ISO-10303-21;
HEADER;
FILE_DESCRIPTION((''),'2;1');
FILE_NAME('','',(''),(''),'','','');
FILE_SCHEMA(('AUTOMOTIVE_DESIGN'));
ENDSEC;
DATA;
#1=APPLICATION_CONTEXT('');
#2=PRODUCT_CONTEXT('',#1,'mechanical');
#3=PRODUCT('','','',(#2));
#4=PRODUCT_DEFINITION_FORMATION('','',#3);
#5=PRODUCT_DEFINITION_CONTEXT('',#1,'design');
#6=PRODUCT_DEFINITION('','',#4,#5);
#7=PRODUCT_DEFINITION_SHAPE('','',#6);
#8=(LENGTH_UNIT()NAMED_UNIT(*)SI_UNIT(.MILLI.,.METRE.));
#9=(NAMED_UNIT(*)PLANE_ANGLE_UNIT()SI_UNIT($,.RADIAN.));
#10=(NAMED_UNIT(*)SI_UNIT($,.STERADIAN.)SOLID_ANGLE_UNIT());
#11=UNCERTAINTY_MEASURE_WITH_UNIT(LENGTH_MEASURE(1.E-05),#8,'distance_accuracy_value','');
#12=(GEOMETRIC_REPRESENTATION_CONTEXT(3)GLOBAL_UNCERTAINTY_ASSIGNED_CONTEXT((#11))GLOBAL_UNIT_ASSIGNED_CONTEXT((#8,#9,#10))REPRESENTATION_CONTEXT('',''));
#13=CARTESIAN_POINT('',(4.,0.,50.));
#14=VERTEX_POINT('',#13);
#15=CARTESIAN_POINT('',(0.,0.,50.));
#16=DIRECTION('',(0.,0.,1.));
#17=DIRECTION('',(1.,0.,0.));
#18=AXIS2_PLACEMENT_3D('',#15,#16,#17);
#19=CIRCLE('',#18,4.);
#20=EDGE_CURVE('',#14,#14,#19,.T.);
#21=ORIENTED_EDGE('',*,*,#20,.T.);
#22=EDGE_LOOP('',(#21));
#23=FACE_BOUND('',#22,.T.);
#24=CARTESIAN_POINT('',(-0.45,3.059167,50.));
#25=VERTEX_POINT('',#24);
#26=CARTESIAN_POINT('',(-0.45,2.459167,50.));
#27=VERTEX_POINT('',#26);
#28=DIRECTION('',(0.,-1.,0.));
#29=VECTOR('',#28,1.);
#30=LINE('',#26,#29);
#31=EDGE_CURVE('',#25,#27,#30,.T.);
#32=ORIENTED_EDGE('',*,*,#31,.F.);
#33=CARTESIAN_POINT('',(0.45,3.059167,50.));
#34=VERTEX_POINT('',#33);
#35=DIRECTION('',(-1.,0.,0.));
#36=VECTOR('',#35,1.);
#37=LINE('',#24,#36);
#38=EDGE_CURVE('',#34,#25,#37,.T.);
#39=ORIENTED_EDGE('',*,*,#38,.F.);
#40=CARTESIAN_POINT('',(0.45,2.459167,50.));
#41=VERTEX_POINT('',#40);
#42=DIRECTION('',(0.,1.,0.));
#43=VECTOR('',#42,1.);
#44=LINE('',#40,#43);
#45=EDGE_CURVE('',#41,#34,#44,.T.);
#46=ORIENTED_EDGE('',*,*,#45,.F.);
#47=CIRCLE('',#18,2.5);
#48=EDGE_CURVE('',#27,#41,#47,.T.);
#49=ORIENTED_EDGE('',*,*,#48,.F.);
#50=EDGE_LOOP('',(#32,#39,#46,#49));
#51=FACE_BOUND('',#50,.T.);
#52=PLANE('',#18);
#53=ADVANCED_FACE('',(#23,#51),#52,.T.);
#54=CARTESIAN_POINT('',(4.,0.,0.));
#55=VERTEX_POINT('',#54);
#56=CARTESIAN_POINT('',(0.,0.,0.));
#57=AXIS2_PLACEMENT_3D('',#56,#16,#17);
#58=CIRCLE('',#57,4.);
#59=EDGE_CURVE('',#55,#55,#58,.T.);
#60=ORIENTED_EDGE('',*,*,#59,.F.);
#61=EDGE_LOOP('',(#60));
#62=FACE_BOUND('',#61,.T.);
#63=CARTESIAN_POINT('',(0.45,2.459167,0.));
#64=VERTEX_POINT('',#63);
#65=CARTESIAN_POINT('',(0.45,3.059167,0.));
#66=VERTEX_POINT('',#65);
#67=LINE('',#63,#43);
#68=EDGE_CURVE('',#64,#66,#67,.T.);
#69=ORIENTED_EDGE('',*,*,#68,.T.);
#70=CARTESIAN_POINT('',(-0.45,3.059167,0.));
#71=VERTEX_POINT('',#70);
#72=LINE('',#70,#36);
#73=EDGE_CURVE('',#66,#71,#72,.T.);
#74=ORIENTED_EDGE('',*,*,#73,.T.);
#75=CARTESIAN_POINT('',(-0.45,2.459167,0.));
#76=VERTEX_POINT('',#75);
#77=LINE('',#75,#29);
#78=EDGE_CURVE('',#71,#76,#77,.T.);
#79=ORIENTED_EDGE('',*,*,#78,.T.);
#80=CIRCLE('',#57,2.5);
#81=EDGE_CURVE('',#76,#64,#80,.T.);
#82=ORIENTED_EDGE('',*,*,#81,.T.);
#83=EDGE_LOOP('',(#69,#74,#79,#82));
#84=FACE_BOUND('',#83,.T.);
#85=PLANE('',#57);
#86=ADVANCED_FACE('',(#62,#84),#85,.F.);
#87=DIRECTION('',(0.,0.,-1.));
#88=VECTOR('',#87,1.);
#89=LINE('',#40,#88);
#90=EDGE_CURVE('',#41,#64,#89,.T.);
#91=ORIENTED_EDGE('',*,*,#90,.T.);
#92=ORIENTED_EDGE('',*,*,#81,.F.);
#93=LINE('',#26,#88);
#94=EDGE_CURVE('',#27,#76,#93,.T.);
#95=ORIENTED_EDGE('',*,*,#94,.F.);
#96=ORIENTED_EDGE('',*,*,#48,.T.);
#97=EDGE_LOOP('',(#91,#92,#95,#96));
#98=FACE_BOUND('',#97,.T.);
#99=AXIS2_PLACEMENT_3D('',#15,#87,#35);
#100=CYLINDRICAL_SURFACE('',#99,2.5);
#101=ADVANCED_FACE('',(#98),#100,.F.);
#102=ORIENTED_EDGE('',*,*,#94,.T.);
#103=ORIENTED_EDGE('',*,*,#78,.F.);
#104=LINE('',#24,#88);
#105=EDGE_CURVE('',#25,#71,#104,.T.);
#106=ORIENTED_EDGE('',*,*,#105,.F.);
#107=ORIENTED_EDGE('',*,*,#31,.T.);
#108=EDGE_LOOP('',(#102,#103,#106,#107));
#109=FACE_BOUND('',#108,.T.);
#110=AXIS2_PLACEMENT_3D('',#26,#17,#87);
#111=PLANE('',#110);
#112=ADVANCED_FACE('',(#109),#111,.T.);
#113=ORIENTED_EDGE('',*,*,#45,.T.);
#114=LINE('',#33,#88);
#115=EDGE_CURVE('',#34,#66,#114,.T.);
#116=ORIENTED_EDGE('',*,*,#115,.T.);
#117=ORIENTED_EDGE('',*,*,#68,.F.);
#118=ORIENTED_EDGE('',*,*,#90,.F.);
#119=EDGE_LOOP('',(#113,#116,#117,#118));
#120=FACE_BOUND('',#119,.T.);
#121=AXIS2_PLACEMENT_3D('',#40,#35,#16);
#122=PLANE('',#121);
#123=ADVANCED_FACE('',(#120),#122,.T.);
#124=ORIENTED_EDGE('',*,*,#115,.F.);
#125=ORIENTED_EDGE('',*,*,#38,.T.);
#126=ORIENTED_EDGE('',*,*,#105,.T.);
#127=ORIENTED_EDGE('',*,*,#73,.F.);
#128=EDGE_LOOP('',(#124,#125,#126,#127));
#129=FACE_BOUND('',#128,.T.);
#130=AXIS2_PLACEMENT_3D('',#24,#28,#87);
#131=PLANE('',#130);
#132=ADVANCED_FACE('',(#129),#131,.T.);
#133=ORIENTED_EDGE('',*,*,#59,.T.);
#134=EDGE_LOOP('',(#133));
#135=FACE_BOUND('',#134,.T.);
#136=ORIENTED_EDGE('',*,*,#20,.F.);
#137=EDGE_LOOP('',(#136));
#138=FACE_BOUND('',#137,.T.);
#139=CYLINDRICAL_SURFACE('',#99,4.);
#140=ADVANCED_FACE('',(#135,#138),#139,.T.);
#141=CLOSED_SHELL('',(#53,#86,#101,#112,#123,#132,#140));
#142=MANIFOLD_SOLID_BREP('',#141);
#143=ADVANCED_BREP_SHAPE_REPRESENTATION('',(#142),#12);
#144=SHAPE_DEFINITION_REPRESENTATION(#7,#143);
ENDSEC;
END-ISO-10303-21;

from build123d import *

# Parameters (mm, degrees)
CROQUIS2_R              = 4
SALIENTE_EXTRUIR1_DEPTH = 50


with BuildPart() as part:
    # Croquis2 → Saliente-Extruir1 (new body)
    with BuildSketch(Plane.XY):
        Circle(CROQUIS2_R)
        with BuildLine():
            Line((-0.45, 2.459166525), (-0.45, 3.059166525))
            Line((-0.45, 3.059166525), (0.45, 3.059166525))
            Line((0.45, 3.059166525), (0.45, 2.459166525))
            ThreePointArc((0.45, 2.459166525), (0, -2.5), (-0.45, 2.459166525))
        make_face(mode=Mode.SUBTRACT)
    extrude(amount=SALIENTE_EXTRUIR1_DEPTH)


solid = part.part
